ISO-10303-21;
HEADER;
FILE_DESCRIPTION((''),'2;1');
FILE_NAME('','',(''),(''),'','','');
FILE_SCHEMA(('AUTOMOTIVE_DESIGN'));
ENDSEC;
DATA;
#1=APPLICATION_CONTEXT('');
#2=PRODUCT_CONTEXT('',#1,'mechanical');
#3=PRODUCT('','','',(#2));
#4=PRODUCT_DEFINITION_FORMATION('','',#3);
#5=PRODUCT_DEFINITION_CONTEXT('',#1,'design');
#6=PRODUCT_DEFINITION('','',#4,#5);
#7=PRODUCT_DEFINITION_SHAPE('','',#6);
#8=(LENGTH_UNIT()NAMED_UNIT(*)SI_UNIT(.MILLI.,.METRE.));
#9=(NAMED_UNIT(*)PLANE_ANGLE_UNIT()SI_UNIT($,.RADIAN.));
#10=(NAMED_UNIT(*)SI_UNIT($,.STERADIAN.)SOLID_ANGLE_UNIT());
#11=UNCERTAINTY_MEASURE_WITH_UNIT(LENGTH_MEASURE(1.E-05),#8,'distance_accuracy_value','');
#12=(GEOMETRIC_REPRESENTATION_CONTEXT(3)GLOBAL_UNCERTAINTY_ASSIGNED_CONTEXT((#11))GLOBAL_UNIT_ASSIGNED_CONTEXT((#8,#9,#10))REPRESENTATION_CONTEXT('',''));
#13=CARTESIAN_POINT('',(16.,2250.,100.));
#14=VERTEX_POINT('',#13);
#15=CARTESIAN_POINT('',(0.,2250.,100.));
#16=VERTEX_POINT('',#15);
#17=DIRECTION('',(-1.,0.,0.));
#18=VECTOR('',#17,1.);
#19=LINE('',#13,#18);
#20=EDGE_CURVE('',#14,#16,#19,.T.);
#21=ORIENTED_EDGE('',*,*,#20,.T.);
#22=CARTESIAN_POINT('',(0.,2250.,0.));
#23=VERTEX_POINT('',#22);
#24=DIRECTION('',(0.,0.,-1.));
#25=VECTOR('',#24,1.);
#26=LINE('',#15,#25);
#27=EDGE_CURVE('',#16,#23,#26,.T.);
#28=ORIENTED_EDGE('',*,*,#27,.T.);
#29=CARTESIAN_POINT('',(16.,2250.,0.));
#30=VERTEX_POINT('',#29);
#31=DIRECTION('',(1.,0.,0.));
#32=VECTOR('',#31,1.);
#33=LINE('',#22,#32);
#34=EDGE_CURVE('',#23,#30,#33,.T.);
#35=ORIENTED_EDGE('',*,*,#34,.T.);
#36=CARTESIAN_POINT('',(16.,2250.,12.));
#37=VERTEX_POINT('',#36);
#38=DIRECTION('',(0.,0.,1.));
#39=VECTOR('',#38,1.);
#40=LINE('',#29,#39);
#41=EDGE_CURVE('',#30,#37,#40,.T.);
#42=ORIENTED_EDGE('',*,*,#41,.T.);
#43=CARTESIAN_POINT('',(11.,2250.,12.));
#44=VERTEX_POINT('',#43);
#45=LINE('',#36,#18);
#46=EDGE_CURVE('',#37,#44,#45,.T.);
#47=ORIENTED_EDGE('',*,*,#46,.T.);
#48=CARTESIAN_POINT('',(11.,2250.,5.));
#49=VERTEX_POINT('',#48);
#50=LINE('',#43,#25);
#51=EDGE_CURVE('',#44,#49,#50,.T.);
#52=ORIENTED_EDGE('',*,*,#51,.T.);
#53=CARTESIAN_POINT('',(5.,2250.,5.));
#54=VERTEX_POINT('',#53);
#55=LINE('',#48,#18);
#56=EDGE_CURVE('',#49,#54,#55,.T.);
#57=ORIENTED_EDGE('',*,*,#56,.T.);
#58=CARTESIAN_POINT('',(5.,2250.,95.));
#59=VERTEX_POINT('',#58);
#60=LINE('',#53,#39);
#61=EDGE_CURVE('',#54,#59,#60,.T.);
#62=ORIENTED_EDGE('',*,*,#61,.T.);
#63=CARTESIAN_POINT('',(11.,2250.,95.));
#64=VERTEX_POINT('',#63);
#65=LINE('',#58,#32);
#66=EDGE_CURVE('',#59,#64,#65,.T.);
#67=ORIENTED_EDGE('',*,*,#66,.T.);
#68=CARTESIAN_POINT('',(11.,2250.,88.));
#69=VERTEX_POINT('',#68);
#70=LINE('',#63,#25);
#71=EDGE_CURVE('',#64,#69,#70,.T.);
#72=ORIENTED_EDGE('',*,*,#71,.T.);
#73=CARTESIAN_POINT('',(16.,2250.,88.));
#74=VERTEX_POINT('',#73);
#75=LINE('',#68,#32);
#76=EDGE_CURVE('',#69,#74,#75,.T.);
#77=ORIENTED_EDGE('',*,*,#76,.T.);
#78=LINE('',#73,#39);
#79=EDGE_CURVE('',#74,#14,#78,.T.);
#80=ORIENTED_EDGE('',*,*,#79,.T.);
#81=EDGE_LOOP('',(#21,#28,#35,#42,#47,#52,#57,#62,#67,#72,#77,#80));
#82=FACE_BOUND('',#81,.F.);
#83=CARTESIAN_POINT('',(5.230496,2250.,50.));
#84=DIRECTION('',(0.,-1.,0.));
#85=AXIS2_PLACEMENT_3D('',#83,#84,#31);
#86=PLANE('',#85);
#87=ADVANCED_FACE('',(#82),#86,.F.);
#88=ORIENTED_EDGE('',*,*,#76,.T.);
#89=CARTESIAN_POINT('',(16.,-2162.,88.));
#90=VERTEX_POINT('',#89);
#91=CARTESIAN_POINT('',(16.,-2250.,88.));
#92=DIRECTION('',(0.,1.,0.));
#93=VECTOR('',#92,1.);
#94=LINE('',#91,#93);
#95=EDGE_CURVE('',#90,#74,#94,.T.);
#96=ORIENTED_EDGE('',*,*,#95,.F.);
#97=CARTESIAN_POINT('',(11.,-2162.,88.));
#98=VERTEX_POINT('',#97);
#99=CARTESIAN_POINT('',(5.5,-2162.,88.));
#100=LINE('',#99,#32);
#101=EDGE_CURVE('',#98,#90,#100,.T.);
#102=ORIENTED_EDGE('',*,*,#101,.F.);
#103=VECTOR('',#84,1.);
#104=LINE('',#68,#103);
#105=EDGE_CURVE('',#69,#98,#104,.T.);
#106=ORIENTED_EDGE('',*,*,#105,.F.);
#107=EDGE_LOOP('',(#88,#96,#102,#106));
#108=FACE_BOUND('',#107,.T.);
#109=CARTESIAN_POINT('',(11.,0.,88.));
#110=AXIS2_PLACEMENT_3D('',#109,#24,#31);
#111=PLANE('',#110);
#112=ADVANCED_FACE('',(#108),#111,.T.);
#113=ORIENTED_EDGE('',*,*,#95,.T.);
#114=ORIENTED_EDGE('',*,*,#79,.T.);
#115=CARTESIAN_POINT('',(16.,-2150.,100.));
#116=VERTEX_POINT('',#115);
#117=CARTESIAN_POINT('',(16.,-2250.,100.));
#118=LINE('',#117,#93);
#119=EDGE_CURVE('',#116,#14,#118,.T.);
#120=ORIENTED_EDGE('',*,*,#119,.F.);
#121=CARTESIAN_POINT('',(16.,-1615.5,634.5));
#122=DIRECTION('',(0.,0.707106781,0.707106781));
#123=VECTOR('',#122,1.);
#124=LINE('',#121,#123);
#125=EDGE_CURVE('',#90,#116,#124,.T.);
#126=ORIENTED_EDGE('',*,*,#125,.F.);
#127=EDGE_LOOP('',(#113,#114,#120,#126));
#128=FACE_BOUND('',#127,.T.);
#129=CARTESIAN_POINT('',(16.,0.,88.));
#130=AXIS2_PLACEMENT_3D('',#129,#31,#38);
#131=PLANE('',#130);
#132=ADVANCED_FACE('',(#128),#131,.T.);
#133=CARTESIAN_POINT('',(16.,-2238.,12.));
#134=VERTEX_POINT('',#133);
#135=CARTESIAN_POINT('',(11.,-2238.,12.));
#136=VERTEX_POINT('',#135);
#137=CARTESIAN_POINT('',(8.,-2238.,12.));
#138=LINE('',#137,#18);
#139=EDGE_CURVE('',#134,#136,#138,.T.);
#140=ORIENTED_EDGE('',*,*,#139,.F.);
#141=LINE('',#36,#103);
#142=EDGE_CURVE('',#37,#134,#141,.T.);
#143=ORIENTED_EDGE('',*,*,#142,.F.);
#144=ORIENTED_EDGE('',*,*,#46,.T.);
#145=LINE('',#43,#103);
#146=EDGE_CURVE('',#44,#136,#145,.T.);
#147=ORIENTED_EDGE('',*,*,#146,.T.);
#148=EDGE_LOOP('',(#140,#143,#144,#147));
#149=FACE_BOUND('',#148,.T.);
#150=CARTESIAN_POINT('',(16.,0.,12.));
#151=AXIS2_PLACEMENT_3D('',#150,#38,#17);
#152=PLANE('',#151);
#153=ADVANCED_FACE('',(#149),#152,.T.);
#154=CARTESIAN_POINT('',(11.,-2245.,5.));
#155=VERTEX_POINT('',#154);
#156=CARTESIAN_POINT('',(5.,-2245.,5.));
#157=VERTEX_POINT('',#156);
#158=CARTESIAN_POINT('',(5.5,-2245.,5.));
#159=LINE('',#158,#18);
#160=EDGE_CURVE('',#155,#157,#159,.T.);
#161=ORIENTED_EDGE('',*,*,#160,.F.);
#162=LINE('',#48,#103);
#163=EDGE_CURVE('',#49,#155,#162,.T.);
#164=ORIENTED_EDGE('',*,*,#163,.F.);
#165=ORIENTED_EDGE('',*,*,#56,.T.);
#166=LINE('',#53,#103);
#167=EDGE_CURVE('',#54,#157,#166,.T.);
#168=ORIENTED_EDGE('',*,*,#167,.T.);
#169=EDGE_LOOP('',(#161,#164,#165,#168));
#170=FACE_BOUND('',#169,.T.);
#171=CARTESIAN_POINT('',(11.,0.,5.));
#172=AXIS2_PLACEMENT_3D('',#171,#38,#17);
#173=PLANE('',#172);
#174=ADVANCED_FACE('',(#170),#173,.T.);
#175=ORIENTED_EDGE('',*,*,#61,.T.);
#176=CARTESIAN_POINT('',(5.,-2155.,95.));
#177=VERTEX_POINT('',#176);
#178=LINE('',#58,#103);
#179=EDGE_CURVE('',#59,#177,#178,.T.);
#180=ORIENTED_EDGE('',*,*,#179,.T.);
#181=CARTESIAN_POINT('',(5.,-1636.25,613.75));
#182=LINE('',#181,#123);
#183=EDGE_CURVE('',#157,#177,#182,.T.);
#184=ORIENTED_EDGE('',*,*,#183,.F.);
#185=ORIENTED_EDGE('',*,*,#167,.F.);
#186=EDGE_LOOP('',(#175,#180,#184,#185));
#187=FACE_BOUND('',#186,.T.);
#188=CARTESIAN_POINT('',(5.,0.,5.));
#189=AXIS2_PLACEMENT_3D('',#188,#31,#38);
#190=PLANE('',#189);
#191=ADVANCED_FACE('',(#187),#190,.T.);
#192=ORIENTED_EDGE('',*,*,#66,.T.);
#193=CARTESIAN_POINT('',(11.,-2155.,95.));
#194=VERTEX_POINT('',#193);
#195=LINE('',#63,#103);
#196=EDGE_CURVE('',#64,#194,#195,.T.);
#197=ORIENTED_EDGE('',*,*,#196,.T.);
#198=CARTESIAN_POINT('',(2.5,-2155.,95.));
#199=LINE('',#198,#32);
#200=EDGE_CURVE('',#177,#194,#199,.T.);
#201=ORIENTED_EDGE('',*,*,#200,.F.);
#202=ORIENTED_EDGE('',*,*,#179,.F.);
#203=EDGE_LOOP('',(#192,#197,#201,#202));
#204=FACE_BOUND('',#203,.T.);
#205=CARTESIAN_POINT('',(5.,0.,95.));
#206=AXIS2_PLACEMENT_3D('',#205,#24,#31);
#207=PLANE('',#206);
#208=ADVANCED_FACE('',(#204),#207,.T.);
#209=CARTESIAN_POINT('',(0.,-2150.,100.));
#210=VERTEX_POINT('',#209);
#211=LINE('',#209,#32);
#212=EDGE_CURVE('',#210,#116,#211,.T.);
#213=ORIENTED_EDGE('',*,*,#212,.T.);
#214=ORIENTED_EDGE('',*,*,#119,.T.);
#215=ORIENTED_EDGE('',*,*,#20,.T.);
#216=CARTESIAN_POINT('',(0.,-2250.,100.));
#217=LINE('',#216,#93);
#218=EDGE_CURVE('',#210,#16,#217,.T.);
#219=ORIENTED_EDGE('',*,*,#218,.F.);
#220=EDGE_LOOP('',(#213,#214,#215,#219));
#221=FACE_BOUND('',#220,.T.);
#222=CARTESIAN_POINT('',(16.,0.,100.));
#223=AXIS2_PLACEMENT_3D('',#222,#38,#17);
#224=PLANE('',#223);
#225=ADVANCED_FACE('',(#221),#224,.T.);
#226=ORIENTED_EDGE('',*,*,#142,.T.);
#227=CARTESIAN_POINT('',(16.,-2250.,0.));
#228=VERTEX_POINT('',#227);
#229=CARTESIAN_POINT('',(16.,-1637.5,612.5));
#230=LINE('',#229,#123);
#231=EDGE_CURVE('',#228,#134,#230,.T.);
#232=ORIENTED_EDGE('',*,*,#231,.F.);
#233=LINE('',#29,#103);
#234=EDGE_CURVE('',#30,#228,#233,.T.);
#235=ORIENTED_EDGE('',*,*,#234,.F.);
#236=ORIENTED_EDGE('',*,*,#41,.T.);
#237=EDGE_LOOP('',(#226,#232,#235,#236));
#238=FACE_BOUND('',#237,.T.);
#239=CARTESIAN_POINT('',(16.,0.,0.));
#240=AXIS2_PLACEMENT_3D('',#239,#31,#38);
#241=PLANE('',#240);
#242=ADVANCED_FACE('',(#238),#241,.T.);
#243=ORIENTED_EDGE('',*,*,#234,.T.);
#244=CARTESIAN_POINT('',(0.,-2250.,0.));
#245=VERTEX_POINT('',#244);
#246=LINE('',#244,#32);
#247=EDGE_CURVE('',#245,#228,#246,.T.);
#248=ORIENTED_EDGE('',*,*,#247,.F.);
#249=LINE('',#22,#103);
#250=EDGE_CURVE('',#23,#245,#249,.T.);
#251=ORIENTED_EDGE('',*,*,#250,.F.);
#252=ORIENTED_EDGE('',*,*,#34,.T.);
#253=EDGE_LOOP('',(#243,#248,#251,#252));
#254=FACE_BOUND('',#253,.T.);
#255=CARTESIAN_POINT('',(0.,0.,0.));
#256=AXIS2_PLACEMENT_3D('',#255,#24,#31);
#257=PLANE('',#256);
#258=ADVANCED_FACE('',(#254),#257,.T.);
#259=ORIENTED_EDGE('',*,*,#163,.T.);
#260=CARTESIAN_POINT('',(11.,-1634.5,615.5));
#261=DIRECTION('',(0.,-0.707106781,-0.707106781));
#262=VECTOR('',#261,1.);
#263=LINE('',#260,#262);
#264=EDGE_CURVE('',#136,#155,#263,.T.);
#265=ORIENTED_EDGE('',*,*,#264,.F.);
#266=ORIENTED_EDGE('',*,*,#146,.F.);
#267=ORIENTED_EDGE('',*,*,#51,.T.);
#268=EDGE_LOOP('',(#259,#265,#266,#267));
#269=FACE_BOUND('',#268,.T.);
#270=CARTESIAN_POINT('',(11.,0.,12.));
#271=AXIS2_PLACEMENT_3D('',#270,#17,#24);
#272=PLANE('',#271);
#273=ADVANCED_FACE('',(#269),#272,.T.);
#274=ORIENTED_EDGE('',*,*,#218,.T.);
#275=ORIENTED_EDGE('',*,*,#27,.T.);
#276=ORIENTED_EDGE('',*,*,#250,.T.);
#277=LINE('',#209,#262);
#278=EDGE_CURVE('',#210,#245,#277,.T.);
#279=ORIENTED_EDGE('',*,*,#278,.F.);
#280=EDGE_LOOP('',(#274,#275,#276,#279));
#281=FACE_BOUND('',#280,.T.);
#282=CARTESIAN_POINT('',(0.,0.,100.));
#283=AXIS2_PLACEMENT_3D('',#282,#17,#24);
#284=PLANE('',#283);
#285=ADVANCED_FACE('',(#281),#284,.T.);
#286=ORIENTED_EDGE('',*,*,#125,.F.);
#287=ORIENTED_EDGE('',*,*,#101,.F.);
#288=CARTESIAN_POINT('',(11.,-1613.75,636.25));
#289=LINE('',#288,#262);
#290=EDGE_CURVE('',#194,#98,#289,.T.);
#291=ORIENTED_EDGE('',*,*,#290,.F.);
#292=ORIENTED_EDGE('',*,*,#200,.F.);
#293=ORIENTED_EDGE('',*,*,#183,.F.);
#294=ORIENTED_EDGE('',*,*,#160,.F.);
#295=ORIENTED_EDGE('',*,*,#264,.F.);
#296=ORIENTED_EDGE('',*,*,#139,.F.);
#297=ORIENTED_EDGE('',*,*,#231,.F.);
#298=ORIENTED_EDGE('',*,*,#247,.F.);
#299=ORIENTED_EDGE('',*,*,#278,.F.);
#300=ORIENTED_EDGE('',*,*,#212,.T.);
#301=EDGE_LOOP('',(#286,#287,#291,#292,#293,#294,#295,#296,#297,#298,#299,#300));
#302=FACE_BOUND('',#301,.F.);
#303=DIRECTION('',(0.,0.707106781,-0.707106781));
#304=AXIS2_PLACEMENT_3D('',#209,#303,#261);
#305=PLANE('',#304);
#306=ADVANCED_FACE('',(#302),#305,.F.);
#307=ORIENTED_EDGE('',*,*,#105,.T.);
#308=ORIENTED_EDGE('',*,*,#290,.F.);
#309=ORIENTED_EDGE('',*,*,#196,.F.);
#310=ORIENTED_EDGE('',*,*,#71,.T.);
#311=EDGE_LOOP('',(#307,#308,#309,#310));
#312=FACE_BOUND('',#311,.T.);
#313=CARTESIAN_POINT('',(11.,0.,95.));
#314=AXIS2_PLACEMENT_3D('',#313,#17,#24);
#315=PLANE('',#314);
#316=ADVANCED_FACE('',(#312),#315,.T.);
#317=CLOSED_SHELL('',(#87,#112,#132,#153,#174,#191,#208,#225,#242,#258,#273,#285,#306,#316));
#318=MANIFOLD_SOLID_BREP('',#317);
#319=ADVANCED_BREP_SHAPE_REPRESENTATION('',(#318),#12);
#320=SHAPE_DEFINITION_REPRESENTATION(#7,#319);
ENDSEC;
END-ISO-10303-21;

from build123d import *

# Parameters (mm, degrees)
F1_DEPTH = 2250
F3_DEPTH = 25


with BuildPart() as f1:
    # F0 (on Front) → F1 (new body, symmetric)
    with BuildSketch(Plane.XZ):
        Polygon((0, 100), (0, 0), (16, 0), (16, 12), (11, 12), (11, 5), (5, 5), (5, 95), (11, 95), (11, 88), (16, 88), (16, 100), align=None)
    extrude(amount=F1_DEPTH, both=True)

    # F2 (on face) → F3 (cut)
    with BuildSketch(Plane(origin=(0, 0, 0), x_dir=(0, -1, 0), z_dir=(-1, 0, 0))):
        Polygon((2150, 100), (2250, 0), (2250, 100), align=None)
    extrude(amount=-F3_DEPTH, mode=Mode.SUBTRACT)


solid = f1.part
